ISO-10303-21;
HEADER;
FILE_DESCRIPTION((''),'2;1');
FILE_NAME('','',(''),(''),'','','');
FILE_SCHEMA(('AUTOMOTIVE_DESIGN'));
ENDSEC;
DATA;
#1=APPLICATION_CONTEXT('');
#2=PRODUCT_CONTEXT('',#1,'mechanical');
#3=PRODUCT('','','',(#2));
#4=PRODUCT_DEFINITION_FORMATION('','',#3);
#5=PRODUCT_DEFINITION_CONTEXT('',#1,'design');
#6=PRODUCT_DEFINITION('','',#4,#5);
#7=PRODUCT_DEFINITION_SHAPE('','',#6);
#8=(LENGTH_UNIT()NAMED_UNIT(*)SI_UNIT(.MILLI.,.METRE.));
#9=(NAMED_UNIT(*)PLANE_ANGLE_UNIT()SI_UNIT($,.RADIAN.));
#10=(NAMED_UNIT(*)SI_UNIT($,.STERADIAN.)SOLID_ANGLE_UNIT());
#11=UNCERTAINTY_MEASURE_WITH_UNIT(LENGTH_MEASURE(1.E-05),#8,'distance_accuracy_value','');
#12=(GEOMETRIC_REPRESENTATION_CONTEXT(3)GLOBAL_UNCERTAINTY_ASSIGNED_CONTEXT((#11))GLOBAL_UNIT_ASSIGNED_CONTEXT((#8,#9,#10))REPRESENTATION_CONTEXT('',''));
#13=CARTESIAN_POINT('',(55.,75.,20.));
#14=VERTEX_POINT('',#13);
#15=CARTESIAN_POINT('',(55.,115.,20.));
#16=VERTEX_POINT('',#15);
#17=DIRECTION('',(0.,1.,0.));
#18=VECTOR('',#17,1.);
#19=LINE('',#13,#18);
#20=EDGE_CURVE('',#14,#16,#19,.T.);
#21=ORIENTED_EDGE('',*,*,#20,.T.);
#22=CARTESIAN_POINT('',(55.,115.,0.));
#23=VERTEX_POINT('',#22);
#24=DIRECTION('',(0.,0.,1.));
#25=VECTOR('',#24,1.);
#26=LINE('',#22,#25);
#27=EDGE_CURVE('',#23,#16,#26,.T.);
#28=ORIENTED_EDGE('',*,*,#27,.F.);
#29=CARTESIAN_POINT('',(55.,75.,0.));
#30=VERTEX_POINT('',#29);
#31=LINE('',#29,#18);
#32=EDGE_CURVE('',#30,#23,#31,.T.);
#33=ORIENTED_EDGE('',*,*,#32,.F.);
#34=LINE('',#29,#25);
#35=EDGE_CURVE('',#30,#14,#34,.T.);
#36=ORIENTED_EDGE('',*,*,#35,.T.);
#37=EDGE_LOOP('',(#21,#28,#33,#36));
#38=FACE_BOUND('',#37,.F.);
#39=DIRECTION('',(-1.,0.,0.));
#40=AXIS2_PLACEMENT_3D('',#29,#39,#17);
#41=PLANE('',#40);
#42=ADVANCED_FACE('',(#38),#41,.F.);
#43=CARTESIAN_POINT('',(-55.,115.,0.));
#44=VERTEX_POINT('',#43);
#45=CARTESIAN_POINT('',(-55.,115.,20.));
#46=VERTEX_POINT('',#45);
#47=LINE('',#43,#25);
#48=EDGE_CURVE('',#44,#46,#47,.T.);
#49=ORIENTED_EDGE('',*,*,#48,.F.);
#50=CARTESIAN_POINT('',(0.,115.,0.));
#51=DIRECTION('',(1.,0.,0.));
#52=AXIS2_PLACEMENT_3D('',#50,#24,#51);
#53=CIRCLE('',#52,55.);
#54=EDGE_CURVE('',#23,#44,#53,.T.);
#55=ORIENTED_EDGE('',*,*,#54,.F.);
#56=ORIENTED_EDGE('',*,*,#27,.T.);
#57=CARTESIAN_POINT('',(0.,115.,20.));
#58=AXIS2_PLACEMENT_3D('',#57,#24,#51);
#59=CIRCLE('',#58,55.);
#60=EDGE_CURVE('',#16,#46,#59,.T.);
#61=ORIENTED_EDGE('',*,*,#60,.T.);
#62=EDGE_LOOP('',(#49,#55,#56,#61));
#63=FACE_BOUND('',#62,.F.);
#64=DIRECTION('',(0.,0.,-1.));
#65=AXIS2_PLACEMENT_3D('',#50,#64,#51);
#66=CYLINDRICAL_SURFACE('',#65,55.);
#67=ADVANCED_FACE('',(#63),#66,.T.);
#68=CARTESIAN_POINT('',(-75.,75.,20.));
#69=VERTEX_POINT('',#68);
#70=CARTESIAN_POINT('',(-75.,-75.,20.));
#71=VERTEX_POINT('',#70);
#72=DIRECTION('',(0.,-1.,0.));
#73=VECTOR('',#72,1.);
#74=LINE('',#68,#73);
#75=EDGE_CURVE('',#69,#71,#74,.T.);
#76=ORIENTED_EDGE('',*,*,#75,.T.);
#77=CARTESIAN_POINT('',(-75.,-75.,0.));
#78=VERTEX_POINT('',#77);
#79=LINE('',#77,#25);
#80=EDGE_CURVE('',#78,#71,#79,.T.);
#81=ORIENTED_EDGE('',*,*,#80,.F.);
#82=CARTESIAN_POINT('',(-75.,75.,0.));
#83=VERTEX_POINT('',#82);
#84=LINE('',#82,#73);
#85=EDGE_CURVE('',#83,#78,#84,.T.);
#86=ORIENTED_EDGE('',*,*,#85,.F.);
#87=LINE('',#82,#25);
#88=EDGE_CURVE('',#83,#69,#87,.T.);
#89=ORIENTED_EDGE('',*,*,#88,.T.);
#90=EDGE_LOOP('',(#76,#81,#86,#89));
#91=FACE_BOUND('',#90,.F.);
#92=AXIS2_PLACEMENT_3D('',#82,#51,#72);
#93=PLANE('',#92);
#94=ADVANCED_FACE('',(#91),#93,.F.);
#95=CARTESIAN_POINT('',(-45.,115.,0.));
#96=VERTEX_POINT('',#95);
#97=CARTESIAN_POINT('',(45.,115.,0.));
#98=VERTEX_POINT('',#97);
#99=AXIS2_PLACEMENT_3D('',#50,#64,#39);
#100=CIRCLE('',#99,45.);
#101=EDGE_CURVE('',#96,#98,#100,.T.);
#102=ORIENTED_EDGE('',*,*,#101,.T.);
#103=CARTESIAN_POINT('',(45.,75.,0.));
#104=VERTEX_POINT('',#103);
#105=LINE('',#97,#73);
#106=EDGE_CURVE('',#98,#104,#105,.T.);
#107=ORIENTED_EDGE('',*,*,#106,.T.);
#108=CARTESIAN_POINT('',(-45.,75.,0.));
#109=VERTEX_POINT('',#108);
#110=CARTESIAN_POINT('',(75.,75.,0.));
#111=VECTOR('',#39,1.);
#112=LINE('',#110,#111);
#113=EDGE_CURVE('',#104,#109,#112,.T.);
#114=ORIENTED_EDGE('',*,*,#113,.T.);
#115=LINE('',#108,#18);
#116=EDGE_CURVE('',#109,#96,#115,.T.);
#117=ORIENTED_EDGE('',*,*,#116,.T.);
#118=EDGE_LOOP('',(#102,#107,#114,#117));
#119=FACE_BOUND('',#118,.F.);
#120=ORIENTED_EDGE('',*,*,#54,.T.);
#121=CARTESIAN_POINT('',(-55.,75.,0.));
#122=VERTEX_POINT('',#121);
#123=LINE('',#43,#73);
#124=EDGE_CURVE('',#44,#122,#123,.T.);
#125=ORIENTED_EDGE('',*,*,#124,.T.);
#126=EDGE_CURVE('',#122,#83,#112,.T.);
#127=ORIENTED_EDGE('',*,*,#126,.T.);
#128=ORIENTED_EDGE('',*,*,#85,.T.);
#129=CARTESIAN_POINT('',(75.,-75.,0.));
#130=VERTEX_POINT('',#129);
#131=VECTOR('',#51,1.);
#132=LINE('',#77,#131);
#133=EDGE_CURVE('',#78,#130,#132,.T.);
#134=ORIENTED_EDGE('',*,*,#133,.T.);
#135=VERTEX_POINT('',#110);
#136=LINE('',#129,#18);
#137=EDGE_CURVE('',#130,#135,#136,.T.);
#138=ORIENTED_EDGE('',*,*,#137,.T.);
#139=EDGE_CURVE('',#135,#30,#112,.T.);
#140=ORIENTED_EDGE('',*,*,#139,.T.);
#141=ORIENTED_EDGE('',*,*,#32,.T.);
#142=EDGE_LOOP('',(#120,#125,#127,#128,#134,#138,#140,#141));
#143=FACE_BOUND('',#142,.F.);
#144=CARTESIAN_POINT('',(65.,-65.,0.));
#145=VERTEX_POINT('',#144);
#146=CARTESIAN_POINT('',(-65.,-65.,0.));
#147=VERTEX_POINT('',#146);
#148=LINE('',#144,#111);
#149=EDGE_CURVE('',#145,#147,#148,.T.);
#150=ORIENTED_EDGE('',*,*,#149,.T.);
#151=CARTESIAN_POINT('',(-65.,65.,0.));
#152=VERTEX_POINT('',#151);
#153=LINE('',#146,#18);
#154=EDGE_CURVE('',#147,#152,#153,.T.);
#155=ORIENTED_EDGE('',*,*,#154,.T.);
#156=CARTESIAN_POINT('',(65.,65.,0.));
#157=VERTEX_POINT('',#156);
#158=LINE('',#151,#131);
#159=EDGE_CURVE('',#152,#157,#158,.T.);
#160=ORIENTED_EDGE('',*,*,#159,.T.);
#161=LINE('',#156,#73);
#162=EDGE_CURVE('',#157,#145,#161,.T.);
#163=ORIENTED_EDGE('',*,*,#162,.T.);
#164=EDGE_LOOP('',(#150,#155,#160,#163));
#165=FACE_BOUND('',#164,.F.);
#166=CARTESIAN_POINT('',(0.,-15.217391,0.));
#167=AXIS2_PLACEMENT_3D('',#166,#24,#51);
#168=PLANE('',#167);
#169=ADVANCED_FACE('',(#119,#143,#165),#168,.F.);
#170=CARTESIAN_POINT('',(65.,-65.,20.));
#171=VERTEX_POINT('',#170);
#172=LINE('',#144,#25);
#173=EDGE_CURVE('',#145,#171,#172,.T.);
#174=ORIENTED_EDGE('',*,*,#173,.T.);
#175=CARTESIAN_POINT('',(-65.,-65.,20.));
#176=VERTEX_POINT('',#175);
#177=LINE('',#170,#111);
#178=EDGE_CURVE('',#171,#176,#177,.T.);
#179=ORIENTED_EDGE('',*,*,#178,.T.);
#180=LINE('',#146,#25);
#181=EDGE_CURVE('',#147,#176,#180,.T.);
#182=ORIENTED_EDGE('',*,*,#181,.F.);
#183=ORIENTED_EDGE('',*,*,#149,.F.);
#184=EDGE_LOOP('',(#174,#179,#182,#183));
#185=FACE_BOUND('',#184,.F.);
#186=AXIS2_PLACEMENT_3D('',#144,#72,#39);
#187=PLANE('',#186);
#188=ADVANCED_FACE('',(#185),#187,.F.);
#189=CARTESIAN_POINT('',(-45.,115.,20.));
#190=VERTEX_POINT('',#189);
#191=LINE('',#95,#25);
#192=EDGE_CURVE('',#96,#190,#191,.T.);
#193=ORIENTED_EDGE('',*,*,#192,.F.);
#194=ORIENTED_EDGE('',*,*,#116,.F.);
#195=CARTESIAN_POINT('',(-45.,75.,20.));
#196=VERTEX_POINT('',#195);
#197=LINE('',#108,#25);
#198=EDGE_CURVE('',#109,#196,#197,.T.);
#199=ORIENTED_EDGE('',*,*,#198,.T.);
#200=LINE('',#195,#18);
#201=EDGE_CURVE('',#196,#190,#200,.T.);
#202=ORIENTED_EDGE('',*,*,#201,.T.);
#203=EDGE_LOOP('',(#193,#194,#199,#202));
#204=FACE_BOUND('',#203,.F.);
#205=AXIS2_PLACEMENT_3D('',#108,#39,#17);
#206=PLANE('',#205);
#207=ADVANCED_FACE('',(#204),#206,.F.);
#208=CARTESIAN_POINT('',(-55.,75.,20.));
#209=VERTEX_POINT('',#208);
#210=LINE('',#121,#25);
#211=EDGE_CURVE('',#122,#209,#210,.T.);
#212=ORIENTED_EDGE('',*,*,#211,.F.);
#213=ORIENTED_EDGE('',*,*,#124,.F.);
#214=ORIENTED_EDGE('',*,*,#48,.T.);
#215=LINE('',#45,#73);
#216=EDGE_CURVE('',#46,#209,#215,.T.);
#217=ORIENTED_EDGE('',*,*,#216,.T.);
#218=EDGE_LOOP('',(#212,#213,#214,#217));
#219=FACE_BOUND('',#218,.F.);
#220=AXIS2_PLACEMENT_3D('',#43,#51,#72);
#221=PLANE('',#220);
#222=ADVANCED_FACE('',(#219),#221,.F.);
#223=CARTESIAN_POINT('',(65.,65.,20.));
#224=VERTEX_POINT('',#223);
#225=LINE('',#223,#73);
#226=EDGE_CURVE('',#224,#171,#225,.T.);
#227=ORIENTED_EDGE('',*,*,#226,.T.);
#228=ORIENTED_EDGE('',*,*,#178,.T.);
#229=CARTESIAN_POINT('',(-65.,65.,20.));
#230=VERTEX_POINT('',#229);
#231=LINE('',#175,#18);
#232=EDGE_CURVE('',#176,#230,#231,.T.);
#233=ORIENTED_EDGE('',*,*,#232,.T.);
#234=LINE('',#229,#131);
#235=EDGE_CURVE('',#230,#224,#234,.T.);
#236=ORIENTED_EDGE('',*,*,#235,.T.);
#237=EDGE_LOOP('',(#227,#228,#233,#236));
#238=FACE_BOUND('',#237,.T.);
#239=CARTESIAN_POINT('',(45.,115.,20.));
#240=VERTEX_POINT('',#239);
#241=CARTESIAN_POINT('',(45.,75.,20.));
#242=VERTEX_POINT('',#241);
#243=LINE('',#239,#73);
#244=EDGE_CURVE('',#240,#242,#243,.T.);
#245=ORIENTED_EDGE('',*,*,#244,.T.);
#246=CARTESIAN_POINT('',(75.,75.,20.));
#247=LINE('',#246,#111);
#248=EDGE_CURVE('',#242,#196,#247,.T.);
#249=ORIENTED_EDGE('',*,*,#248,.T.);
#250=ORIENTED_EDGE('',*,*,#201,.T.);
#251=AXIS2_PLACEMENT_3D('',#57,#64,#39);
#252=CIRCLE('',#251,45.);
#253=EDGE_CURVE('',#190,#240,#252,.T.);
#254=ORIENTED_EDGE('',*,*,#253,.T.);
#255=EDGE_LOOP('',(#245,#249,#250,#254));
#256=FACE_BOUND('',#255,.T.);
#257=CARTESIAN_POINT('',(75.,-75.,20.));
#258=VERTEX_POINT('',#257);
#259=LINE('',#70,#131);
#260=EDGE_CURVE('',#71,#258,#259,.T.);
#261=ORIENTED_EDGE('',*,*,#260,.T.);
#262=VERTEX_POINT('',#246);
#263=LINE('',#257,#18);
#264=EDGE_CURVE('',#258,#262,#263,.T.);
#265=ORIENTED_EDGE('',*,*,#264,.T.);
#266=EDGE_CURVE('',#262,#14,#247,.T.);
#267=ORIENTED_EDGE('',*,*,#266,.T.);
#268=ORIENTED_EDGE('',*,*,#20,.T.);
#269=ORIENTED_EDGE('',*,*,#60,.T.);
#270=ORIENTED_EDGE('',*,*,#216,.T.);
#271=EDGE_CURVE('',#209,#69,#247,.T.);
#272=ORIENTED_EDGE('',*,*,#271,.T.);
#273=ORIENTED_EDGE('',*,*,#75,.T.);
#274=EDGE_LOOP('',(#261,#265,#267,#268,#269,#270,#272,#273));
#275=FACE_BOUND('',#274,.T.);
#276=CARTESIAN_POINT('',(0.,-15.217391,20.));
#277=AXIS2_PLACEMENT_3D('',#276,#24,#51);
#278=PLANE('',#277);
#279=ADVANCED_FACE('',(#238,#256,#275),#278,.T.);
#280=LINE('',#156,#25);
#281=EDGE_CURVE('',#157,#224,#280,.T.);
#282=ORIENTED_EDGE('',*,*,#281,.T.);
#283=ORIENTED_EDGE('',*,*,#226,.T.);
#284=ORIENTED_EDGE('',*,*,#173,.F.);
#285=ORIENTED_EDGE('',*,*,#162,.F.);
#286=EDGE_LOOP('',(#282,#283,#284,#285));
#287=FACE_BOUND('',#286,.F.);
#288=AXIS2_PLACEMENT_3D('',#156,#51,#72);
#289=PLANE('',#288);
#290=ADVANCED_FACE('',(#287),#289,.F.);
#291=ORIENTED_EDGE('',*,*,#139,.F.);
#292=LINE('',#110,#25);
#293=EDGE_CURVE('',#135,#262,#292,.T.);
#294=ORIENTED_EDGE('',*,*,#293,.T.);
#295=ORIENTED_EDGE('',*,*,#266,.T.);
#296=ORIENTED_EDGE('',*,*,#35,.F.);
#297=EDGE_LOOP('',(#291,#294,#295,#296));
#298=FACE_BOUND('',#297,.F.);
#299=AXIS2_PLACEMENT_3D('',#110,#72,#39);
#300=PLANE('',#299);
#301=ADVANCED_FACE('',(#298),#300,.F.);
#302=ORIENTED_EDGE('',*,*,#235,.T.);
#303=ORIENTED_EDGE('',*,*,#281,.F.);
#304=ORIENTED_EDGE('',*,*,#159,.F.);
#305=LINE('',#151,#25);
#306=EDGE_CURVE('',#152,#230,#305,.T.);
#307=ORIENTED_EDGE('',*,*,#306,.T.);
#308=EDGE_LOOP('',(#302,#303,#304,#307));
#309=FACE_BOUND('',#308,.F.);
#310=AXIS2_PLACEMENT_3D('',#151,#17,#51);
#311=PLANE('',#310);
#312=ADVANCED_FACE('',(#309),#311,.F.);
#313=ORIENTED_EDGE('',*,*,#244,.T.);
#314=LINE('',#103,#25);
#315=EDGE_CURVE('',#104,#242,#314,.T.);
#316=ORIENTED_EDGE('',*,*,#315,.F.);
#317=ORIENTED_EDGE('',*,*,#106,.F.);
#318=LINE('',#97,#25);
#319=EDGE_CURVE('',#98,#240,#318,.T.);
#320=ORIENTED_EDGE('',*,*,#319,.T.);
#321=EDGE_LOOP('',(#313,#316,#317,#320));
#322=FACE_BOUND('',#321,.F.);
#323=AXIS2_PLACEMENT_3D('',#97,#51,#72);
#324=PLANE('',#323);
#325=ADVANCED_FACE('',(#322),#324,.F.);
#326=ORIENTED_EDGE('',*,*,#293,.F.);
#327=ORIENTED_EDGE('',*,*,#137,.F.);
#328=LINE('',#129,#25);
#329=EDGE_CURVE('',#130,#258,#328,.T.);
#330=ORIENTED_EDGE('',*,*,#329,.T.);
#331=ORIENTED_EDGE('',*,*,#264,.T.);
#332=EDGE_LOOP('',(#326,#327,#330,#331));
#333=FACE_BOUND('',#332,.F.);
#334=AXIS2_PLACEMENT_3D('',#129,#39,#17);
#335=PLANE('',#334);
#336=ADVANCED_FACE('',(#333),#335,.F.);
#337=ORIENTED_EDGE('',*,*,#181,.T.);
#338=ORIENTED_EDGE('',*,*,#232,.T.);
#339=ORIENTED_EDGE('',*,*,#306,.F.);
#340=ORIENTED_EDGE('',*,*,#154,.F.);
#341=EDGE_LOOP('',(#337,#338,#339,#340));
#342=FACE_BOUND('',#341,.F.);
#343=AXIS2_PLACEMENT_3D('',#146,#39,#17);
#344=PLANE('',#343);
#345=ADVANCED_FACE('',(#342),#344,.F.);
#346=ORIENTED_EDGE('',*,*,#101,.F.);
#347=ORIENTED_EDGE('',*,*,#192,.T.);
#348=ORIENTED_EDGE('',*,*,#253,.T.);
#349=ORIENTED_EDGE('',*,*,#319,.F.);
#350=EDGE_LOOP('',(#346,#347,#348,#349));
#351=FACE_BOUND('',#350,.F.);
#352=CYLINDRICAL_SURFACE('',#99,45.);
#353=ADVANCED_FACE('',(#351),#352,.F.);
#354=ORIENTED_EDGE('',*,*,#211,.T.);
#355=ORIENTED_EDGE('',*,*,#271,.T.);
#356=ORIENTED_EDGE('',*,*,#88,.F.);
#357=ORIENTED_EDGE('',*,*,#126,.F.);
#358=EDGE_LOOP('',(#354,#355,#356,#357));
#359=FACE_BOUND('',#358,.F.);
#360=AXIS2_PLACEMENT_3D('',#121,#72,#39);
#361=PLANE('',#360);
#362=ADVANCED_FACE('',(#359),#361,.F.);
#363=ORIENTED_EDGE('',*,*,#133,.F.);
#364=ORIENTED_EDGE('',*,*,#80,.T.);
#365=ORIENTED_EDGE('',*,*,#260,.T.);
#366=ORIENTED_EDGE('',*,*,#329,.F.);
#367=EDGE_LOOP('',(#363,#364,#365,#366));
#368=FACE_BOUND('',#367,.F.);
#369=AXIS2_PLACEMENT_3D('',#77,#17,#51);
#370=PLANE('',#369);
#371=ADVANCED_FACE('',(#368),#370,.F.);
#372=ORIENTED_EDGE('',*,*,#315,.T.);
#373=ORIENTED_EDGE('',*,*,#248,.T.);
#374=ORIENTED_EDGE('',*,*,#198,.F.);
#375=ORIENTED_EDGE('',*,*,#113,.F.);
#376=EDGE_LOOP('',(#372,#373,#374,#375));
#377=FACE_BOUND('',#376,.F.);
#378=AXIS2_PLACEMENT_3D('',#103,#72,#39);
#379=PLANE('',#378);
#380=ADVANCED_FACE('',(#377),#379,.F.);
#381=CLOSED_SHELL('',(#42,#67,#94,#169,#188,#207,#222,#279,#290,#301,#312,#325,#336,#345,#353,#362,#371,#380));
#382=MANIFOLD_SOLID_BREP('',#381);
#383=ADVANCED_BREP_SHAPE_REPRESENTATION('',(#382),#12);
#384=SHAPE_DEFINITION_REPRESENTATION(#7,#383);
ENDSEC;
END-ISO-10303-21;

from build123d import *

# Parameters (mm, degrees)
F0_W     = 10
F0_H     = 10
F1_DEPTH = 20


with BuildPart() as f1:
    # F0 (on Top) → F1 (new body)
    with BuildSketch(Plane.XY):
        Polygon((75, -75), (75, 75), (55, 75), (55, 65), (65, 65), (65, -65), (-65, -65), (-65, 65), (-55, 65), (-55, 75), (-75, 75), (-75, -75), align=None)
        with Locations((-50, 70)):
            Rectangle(F0_W, F0_H)
        with BuildLine():
            ThreePointArc((-20.6155281281, 75), (0, 70), (20.6155281281, 75))
            Line((20.6155281281, 75), (-20.6155281281, 75))
        make_face()
        with BuildLine():
            ThreePointArc((22.9128784748, 65), (30.7403821918, 69.3926661303), (37.7491721764, 75))
            Line((37.7491721764, 75), (20.6155281281, 75))
            ThreePointArc((20.6155281281, 75), (0, 70), (-20.6155281281, 75))
            Line((-20.6155281281, 75), (-37.7491721764, 75))
            ThreePointArc((-37.7491721764, 75), (-30.7403821918, 69.3926661303), (-22.9128784748, 65))
            Line((-22.9128784748, 65), (22.9128784748, 65))
        make_face()
        with BuildLine():
            Line((-45, 65), (-22.9128784748, 65))
            ThreePointArc((-22.9128784748, 65), (-30.7403821918, 69.3926661303), (-37.7491721764, 75))
            Line((-37.7491721764, 75), (-45, 75))
            Line((-45, 75), (-45, 65))
        make_face()
        with BuildLine():
            Line((45, 65), (45, 75))
            Line((45, 75), (37.7491721764, 75))
            ThreePointArc((37.7491721764, 75), (30.7403821918, 69.3926661303), (22.9128784748, 65))
            Line((22.9128784748, 65), (45, 65))
        make_face()
        with Locations((50, 70)):
            Rectangle(F0_W, F0_H)
        with BuildLine():
            Line((45, 75), (55, 75))
            Line((55, 75), (55, 115))
            ThreePointArc((55, 115), (52.4404424085, 98.4168760482), (45, 83.3772233983))
            Line((45, 83.3772233983), (45, 75))
        make_face()
        with BuildLine():
            ThreePointArc((45, 83.3772233983), (52.4404424085, 98.4168760482), (55, 115))
            Line((55, 115), (45, 115))
            Line((45, 115), (45, 83.3772233983))
        make_face()
        with BuildLine():
            ThreePointArc((-45, 83.3772233983), (-52.4404424085, 98.4168760482), (-55, 115))
            Line((-55, 115), (-55, 75))
            Line((-55, 75), (-45, 75))
            Line((-45, 75), (-45, 83.3772233983))
        make_face()
        with BuildLine():
            Line((-45, 115), (-55, 115))
            ThreePointArc((-55, 115), (-52.4404424085, 98.4168760482), (-45, 83.3772233983))
            Line((-45, 83.3772233983), (-45, 115))
        make_face()
        with BuildLine():
            Line((45, 115), (55, 115))
            ThreePointArc((55, 115), (0, 170), (-55, 115))
            Line((-55, 115), (-45, 115))
            ThreePointArc((-45, 115), (0, 160), (45, 115))
        make_face()
    extrude(amount=F1_DEPTH)


solid = f1.part
